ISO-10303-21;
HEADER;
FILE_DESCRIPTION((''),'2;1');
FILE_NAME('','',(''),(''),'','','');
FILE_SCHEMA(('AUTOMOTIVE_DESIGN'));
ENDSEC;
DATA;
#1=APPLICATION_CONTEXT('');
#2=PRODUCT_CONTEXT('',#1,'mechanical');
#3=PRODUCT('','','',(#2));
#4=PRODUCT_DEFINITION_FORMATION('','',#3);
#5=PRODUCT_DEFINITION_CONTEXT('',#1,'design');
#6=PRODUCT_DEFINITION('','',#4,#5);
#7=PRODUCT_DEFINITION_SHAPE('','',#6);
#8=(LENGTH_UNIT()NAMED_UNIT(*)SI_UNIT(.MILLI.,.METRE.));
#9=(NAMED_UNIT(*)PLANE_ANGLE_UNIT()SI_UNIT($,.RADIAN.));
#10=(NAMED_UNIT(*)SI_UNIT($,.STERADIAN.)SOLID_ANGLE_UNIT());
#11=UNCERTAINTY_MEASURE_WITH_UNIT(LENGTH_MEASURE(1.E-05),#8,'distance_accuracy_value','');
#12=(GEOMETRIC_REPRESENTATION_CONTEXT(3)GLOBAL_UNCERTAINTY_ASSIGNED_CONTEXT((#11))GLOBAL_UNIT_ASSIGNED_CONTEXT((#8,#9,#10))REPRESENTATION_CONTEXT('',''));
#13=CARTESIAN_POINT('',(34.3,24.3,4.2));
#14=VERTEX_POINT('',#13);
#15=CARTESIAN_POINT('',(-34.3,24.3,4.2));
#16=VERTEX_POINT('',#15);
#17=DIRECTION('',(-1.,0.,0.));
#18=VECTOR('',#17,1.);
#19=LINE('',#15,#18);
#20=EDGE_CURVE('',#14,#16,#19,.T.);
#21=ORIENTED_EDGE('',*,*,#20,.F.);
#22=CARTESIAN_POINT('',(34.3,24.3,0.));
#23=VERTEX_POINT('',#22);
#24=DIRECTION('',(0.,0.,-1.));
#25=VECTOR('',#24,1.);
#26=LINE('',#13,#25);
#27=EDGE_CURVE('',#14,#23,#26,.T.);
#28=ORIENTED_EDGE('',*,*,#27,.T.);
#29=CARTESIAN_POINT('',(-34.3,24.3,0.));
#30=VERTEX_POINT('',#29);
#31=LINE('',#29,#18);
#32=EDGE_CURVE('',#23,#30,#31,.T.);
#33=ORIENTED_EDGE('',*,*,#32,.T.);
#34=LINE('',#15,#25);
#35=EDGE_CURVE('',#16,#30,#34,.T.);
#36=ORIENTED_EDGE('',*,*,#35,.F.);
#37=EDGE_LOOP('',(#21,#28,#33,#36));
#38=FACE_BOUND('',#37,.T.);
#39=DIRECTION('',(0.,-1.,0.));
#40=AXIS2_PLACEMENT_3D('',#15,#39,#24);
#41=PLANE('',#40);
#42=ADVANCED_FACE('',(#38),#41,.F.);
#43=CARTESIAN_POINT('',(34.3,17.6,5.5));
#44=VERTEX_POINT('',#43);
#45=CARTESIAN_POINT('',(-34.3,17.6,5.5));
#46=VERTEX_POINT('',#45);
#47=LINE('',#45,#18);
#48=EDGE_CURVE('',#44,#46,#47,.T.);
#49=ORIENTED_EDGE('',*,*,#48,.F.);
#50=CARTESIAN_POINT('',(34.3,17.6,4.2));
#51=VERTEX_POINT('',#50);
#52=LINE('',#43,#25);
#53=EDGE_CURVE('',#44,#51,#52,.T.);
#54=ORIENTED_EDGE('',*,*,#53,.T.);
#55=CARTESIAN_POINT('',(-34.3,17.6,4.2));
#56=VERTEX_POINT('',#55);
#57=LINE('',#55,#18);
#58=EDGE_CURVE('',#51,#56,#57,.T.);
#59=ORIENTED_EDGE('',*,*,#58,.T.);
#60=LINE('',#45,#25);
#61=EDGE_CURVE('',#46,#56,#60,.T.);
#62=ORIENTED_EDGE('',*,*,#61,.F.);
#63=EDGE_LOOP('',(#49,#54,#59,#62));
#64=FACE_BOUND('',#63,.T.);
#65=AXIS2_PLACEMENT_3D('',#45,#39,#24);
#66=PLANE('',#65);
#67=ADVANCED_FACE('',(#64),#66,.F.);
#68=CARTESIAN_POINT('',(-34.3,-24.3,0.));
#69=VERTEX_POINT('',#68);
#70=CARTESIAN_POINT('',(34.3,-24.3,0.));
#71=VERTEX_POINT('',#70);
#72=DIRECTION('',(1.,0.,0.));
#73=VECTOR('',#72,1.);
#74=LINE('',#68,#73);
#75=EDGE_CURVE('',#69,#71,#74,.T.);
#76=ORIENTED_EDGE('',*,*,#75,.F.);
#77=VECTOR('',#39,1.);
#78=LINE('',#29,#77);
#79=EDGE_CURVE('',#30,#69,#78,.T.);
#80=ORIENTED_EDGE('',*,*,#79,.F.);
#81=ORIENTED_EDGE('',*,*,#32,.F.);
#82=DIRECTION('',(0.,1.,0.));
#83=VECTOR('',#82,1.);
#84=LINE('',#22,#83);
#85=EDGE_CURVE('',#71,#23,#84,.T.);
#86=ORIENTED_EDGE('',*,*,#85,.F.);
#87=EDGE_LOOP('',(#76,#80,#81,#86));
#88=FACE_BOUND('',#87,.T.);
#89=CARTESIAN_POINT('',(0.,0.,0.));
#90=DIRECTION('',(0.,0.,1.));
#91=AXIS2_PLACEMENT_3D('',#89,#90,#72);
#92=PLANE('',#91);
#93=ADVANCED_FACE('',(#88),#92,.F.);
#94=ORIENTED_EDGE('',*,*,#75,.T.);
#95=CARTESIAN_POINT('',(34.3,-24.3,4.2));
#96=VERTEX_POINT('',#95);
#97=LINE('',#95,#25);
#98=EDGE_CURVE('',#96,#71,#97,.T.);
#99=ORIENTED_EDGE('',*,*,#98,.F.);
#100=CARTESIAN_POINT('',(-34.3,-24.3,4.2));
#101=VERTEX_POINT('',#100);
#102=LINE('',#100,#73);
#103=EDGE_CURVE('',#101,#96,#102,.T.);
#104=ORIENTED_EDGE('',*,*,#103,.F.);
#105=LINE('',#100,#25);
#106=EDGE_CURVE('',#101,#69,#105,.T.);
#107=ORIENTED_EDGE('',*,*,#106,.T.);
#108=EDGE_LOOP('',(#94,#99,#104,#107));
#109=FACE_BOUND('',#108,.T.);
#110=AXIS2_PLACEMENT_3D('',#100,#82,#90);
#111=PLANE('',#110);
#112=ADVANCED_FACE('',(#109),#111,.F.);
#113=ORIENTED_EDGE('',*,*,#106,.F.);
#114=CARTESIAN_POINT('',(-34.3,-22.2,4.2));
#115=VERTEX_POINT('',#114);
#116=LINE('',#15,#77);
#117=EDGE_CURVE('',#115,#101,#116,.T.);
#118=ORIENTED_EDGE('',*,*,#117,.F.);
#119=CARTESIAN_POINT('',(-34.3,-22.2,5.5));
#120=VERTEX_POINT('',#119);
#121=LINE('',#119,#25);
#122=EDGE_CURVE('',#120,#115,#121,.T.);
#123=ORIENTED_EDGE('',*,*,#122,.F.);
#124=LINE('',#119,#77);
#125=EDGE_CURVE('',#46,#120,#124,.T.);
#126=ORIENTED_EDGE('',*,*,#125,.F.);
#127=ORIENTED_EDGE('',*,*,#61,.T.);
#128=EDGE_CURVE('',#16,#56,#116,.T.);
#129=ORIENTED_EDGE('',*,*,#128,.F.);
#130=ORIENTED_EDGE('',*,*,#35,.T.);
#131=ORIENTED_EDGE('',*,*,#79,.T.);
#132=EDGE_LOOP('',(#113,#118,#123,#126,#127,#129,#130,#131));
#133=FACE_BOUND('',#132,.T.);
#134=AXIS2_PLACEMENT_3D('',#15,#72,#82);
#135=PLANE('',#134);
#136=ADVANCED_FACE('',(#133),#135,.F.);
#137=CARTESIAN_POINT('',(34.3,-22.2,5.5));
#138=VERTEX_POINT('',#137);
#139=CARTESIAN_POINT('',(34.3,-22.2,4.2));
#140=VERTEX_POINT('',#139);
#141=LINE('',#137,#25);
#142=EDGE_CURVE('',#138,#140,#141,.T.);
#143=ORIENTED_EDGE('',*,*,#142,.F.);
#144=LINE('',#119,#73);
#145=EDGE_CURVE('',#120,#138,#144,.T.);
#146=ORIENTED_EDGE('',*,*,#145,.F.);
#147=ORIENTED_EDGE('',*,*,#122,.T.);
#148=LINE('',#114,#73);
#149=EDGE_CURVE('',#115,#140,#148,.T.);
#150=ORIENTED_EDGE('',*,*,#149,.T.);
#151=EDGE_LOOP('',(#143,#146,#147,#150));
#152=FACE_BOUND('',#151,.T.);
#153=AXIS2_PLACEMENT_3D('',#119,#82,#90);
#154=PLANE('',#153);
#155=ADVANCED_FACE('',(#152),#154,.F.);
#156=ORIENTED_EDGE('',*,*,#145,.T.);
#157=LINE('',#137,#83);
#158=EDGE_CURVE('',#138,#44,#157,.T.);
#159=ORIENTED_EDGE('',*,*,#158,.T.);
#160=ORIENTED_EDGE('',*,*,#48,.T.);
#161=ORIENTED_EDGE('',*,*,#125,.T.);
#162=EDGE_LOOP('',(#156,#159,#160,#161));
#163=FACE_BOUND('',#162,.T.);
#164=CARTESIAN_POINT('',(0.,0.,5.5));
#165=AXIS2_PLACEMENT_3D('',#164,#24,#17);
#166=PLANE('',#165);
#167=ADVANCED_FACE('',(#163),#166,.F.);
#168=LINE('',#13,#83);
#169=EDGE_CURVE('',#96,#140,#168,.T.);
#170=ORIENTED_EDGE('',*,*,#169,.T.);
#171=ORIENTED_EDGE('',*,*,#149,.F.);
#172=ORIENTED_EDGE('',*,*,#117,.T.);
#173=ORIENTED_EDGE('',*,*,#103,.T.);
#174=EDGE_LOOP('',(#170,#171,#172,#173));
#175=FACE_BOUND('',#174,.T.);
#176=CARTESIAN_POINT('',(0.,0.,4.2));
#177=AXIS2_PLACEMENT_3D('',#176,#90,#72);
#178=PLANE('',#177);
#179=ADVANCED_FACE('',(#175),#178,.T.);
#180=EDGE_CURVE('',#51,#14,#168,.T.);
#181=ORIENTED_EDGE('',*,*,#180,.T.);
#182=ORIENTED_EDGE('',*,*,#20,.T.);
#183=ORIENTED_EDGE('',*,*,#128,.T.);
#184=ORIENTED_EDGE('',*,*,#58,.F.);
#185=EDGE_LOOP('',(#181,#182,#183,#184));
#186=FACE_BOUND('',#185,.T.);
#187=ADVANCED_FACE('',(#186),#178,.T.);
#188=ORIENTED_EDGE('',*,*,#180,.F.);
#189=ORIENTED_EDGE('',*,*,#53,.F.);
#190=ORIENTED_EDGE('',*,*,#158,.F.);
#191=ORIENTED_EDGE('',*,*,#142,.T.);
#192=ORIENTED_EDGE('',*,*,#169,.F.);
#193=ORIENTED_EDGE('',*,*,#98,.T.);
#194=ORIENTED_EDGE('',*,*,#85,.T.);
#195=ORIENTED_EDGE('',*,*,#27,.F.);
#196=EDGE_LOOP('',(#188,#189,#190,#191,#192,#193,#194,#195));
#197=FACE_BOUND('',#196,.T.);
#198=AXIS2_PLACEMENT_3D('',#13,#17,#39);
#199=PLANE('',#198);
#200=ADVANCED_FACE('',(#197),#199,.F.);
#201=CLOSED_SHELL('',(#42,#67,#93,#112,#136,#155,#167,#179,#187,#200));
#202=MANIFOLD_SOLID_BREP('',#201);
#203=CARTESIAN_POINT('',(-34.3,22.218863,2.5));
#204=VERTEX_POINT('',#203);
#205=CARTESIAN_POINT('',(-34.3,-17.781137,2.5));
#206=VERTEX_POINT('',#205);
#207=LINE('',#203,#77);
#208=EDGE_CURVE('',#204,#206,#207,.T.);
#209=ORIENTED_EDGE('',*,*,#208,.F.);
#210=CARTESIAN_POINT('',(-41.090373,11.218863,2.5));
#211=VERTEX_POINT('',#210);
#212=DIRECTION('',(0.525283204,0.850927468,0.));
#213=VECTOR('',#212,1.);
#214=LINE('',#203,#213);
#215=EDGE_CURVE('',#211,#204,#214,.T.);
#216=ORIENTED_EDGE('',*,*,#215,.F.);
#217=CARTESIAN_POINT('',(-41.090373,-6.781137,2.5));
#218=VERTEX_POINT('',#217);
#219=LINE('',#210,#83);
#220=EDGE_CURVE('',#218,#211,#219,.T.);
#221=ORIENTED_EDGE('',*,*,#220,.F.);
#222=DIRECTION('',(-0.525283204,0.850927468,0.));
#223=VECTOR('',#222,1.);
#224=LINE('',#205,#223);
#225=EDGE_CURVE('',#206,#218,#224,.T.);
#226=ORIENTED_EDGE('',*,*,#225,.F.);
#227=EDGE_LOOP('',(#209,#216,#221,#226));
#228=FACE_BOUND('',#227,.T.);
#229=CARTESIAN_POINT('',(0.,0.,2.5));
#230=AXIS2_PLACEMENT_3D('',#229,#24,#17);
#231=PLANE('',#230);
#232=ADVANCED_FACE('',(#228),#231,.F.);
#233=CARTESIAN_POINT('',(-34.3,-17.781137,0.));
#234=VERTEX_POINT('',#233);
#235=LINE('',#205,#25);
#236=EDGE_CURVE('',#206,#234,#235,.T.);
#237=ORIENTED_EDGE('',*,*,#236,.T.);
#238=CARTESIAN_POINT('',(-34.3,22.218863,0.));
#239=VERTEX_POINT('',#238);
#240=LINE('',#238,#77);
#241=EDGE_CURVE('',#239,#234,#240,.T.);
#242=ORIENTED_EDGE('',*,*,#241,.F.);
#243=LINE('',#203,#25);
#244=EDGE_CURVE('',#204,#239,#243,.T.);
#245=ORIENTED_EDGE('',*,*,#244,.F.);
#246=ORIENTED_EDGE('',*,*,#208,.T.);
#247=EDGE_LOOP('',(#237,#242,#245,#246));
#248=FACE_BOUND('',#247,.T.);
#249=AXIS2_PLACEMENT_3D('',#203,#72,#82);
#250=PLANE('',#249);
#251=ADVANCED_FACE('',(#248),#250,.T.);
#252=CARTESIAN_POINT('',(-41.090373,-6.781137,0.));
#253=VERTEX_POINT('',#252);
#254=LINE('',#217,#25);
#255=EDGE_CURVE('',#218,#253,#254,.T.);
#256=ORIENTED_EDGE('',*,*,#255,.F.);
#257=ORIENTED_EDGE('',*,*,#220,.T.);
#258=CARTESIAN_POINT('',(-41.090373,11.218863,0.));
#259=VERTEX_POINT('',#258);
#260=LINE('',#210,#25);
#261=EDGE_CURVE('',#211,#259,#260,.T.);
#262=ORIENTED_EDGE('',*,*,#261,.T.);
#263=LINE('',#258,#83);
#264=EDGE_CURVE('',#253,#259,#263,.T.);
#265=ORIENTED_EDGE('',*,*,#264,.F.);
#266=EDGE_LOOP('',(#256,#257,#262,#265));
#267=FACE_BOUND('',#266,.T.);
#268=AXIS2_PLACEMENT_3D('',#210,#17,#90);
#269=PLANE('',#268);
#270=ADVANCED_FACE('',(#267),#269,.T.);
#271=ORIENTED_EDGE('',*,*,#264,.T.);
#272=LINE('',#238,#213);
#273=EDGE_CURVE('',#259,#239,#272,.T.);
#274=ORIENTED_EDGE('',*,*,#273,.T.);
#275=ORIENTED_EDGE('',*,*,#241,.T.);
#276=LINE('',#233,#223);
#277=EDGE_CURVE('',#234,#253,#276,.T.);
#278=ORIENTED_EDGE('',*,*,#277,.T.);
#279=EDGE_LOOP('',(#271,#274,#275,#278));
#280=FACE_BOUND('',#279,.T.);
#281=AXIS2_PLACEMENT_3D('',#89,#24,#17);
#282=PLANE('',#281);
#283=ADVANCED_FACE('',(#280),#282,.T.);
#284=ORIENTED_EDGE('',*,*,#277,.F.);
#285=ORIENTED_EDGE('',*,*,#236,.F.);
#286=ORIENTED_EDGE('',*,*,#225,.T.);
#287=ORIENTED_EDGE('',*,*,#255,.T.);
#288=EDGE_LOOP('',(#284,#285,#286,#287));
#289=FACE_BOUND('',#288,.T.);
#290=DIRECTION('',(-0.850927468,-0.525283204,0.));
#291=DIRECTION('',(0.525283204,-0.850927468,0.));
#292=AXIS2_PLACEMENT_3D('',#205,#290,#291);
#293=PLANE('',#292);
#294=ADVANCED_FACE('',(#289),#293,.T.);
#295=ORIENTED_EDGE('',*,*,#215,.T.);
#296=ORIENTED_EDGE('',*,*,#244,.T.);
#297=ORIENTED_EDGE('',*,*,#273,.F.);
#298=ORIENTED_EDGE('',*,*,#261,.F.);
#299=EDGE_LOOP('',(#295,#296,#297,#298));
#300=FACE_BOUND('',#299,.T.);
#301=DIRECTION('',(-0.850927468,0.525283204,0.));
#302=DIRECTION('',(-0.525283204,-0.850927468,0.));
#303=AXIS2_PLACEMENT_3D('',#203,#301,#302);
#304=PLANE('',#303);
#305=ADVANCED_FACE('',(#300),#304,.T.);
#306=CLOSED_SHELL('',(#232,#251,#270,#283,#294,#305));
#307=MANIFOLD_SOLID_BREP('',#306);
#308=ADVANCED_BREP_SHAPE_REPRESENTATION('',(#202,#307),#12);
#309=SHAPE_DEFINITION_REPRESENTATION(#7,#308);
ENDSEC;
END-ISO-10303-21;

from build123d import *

# Parameters (mm, degrees)
SZKIC1_W                    = 68.6
SZKIC1_H                    = 48.6
DODANIE_WYCI_GNI_CIE1_DEPTH = 4.2
SZKIC2_W                    = 68.6
SZKIC2_H                    = 39.8
DODANIE_WYCI_GNI_CIE2_DEPTH = 1.3
DODANIE_WYCI_GNI_CIE3_DEPTH = 2.5


with BuildPart() as part:
    # Szkic1 → Dodanie-wyciągnięcie1 (new body)
    with BuildSketch(Plane.XY):
        Rectangle(SZKIC1_W, SZKIC1_H)
    extrude(amount=DODANIE_WYCI_GNI_CIE1_DEPTH)

    # Szkic2 → Dodanie-wyciągnięcie2 (add)
    with BuildSketch(Plane.XY.offset(4.2)):
        with Locations((0, -2.3)):
            Rectangle(SZKIC2_W, SZKIC2_H)
    extrude(amount=DODANIE_WYCI_GNI_CIE2_DEPTH)


with BuildPart() as body_2:
    # Szkic3 → Dodanie-wyciągnięcie3 (new body)
    with BuildSketch(Plane(origin=(0, 0, 0), x_dir=(-1, 0, 0), z_dir=(0, 0, -1))):
        Polygon((34.3, 22.218863192), (41.090373398, 11.218863192), (41.090373398, -6.781136808), (34.3, -17.781136808), align=None)
    extrude(amount=-DODANIE_WYCI_GNI_CIE3_DEPTH)


solid = Compound([part.part, body_2.part])
